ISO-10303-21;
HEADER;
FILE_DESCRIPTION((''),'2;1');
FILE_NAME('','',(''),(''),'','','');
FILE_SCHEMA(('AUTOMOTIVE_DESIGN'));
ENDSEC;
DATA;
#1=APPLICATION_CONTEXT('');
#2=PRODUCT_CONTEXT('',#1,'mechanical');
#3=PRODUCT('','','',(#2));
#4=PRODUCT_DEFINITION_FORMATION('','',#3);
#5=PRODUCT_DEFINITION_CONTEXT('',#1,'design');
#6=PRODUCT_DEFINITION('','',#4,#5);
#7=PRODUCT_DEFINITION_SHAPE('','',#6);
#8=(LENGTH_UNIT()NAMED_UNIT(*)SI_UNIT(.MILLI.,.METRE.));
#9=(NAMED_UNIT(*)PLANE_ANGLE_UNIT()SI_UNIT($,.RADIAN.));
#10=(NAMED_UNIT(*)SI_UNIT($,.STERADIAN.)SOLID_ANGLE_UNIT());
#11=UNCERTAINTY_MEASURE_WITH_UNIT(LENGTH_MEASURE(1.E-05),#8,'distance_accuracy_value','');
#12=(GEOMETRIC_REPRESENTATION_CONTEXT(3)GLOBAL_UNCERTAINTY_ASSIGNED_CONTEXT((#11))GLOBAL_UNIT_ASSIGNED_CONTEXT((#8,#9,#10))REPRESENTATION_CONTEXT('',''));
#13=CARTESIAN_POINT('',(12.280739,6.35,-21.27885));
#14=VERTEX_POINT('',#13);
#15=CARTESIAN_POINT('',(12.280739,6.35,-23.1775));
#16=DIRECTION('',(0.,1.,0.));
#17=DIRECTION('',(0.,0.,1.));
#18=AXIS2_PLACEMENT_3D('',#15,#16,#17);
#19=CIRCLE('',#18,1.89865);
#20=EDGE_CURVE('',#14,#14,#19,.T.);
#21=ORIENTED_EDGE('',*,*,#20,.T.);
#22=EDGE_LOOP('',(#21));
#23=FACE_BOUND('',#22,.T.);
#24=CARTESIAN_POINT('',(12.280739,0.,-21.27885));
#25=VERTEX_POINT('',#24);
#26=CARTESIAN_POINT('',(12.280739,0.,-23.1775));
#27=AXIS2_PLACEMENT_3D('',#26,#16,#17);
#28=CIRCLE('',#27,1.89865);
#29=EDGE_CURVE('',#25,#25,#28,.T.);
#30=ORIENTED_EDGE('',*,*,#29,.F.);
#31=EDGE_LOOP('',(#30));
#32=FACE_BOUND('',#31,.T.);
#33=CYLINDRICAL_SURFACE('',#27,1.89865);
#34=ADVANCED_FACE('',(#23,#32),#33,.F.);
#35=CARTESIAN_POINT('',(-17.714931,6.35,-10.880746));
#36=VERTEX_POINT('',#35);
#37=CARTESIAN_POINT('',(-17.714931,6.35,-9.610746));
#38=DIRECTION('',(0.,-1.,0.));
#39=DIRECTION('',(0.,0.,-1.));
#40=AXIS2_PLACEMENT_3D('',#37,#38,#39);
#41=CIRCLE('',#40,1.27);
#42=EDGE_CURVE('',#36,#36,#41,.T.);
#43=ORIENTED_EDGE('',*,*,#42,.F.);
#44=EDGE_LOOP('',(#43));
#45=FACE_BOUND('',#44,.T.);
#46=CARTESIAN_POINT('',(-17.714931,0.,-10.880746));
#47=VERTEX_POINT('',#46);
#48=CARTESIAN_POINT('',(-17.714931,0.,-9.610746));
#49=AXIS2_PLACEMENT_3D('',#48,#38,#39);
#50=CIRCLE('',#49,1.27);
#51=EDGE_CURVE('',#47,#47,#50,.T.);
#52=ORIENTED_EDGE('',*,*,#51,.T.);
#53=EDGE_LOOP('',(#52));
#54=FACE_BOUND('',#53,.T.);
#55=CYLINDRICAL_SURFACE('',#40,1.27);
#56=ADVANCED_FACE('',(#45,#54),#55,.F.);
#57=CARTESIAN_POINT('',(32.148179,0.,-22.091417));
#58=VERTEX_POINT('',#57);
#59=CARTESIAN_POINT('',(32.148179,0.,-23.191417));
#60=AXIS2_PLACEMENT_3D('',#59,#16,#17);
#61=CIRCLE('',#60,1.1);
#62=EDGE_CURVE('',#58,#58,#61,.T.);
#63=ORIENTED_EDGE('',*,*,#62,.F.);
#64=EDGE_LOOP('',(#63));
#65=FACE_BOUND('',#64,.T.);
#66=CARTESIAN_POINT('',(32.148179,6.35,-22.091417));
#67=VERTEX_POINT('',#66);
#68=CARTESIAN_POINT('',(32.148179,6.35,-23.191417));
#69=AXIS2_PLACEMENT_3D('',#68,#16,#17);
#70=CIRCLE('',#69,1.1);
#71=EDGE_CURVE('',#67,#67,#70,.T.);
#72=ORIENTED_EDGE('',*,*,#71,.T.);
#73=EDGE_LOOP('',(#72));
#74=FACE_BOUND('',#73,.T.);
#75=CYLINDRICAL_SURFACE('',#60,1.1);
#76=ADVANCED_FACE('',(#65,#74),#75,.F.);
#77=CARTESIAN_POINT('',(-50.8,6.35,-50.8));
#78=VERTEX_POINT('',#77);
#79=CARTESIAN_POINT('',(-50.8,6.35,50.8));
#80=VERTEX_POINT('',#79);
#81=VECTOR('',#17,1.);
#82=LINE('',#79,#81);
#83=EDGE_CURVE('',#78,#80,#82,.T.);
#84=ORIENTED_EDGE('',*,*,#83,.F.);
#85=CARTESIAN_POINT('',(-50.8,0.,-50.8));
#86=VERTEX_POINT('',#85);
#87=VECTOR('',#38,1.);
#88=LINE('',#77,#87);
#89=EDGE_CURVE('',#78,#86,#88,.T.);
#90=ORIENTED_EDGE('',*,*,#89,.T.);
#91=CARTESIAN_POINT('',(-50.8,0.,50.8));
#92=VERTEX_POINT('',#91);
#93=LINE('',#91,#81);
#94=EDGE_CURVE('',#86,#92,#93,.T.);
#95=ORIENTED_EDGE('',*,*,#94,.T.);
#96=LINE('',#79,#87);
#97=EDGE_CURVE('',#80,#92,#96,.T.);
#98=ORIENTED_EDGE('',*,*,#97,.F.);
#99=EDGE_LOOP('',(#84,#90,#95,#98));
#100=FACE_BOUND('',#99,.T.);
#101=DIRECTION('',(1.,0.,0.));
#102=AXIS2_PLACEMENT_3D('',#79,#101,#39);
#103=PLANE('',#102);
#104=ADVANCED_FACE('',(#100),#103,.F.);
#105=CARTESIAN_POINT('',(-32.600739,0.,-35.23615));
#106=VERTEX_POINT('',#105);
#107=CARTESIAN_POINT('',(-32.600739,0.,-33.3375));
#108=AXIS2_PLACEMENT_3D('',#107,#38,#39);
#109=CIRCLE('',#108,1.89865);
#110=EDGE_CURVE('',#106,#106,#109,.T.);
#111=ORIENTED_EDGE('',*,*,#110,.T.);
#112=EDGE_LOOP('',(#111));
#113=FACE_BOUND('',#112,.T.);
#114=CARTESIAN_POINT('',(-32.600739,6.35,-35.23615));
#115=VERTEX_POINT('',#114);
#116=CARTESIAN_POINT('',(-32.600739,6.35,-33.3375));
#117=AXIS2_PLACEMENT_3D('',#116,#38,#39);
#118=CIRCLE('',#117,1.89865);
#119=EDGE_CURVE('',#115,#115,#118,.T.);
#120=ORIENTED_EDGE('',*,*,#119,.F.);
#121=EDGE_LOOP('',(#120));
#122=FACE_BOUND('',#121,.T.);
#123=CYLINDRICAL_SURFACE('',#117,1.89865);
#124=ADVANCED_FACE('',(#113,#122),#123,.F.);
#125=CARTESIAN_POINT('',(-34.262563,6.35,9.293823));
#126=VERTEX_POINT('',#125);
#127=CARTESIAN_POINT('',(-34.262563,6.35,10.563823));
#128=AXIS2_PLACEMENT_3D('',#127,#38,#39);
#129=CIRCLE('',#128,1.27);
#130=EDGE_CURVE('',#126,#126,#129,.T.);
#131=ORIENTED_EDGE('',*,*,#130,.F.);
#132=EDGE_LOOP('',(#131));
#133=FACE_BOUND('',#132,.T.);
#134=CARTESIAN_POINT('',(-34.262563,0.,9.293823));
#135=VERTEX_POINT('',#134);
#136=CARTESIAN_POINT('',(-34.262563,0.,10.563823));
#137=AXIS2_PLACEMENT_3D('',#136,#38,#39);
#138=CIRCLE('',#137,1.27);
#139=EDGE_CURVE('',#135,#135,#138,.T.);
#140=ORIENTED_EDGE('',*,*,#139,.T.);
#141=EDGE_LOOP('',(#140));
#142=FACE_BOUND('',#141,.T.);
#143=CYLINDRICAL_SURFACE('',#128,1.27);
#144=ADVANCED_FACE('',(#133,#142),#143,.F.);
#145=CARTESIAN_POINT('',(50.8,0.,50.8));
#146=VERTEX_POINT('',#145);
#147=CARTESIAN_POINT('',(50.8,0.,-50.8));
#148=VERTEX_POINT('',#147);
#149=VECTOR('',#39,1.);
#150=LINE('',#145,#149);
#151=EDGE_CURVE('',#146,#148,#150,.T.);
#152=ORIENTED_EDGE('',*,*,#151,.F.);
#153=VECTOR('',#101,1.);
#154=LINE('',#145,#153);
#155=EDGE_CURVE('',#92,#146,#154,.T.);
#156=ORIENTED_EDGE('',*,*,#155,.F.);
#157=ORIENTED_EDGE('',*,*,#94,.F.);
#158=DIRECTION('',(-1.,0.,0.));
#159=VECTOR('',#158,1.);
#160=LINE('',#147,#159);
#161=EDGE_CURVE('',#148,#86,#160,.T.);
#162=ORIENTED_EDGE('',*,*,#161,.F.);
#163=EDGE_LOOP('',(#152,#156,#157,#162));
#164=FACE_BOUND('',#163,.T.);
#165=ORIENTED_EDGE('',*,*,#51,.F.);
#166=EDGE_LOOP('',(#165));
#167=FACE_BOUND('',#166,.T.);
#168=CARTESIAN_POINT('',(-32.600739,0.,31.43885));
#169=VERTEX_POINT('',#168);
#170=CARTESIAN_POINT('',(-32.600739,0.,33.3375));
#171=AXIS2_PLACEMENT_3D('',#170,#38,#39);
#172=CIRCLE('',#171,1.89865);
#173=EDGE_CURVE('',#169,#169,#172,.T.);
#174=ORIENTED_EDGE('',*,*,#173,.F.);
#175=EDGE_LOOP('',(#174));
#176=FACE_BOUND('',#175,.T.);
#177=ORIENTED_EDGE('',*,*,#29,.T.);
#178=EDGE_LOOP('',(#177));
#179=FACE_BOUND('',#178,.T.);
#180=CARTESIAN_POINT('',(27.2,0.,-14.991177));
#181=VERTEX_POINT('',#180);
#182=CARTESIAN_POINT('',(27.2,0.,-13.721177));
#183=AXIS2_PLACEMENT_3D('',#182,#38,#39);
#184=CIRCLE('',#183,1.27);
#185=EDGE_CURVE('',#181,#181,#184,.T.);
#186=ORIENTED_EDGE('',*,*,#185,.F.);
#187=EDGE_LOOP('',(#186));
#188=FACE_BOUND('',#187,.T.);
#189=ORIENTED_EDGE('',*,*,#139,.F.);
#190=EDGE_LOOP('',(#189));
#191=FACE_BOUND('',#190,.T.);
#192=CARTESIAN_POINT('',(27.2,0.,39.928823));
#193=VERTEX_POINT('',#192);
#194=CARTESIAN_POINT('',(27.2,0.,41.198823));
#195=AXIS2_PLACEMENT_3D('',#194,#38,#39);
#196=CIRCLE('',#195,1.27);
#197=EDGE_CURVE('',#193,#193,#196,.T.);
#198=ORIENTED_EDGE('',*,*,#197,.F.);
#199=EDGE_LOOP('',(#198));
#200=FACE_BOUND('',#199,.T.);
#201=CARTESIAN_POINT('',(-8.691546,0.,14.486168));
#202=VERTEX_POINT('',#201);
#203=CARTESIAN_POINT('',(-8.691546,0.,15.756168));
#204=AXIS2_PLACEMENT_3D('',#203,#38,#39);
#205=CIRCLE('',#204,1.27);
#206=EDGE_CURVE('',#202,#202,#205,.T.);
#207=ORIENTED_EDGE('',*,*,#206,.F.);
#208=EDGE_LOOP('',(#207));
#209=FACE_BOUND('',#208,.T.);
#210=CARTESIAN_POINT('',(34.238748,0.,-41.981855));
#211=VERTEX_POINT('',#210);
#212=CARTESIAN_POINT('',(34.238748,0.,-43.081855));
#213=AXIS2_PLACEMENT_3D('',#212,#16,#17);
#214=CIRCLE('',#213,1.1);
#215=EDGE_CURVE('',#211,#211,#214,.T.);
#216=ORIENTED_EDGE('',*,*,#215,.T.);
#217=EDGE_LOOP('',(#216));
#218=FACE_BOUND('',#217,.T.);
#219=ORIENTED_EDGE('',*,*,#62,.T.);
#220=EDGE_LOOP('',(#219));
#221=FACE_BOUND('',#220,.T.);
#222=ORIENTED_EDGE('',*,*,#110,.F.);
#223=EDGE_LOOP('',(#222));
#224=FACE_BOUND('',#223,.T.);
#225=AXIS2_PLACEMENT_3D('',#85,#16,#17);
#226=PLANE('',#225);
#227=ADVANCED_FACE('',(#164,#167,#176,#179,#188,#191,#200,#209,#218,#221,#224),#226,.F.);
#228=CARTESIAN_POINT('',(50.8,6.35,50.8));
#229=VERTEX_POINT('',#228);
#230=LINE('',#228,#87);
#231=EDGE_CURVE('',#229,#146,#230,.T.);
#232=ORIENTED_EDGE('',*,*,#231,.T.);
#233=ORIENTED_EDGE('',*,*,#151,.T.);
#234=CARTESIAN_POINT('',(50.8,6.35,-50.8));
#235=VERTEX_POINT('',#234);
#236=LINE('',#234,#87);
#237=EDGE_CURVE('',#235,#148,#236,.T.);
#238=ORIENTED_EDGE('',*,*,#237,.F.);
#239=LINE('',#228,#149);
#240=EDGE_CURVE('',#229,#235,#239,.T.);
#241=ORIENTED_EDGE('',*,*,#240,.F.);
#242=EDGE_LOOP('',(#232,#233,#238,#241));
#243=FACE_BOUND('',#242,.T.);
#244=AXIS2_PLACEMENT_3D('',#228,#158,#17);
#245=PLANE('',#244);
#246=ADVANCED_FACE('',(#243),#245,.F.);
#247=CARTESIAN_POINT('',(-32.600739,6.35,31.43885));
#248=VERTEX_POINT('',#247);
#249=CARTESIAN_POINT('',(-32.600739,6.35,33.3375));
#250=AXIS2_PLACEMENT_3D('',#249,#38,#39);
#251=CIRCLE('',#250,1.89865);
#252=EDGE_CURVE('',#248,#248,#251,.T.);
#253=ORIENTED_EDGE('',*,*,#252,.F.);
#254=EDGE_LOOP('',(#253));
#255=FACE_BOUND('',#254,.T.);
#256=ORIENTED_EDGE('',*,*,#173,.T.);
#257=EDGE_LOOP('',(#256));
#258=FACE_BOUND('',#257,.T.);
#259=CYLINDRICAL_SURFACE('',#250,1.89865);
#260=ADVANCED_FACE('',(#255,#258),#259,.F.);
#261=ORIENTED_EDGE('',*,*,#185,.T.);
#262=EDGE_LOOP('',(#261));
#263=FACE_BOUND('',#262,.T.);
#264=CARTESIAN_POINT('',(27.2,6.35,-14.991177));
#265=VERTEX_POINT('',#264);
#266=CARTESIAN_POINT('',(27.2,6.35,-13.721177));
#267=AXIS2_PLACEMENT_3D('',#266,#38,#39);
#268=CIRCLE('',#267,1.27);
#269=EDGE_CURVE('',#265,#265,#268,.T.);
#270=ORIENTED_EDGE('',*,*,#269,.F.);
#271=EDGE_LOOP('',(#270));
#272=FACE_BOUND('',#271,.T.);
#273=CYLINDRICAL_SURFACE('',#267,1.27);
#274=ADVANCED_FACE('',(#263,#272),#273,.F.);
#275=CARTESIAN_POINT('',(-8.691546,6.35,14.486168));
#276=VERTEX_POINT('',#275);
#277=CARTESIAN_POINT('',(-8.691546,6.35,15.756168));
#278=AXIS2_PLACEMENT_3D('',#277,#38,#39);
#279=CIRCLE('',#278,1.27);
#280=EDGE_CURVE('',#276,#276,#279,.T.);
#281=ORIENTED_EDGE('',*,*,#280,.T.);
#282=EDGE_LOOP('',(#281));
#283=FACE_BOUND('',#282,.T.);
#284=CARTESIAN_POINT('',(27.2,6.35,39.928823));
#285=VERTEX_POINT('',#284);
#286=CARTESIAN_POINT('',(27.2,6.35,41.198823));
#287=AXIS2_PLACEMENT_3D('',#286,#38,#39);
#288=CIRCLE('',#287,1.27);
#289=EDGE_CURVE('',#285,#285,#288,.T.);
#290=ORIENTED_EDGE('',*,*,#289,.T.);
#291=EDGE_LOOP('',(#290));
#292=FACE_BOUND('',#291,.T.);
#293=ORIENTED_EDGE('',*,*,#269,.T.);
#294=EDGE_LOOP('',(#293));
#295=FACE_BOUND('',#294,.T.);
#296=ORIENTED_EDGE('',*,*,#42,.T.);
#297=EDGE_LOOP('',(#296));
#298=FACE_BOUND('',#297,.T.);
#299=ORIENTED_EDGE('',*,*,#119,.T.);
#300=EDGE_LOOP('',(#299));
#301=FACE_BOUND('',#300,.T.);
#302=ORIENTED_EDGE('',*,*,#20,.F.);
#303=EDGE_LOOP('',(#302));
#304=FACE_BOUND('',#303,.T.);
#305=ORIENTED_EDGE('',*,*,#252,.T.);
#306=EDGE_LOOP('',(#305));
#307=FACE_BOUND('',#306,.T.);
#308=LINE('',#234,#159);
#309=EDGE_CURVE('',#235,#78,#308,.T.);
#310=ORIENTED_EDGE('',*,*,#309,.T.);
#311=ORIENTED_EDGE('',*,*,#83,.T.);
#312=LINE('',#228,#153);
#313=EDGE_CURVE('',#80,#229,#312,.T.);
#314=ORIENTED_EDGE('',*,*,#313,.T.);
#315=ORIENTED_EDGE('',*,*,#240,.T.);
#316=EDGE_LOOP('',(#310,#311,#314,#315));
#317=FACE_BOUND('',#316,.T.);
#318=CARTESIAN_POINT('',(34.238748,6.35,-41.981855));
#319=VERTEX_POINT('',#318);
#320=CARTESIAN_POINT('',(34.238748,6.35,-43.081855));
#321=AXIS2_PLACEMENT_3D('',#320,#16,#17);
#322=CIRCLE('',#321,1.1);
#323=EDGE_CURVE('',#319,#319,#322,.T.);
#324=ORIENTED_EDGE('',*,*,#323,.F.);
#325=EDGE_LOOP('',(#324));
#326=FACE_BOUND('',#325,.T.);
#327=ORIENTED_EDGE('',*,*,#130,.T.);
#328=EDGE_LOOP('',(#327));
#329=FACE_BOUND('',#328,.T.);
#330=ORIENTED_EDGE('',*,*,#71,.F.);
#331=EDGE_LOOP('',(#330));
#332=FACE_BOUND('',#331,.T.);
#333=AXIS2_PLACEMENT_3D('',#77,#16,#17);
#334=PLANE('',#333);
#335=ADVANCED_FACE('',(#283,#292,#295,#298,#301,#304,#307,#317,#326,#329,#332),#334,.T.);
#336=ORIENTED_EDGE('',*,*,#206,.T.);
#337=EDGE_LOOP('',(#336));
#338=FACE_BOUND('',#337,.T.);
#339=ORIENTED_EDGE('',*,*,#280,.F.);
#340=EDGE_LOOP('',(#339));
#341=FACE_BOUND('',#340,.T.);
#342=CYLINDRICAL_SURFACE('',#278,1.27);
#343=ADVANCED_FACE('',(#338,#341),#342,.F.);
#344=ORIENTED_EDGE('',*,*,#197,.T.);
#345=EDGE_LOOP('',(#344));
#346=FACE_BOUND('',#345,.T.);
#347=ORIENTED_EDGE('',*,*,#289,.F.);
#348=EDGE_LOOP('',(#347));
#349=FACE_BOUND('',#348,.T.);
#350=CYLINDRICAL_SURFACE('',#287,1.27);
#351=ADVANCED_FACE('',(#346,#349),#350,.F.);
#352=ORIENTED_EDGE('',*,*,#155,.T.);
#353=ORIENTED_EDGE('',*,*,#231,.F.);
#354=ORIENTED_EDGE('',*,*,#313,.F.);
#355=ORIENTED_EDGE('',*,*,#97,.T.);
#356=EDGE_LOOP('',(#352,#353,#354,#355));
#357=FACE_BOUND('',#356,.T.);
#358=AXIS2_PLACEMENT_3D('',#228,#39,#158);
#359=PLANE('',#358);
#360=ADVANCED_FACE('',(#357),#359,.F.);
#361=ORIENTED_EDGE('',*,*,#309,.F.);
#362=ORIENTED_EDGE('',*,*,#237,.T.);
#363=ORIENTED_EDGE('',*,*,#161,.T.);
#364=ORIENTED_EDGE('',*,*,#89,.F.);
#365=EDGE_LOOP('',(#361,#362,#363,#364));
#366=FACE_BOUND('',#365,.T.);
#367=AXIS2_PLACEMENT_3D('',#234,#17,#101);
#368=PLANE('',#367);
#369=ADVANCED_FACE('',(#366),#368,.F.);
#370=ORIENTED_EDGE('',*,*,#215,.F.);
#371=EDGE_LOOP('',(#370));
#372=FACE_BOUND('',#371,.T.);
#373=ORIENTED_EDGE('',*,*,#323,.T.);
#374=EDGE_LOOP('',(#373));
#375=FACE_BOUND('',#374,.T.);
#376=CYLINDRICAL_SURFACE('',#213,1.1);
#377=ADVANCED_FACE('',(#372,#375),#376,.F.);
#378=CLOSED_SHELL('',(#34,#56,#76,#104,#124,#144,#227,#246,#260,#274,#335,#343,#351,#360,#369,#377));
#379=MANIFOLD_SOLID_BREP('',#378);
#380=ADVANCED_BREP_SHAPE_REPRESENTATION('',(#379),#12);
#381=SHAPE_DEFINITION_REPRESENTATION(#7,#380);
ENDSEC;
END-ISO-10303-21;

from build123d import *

# Parameters (mm, degrees)
SKETCH1_W           = 101.6
SKETCH1_H           = 101.6
BOSS_EXTRUDE1_DEPTH = 6.35
SKETCH3_R           = 1.27
CUT_EXTRUDE2_DEPTH  = 7.35
SKETCH4_R           = 1.27
CUT_EXTRUDE3_DEPTH  = 7.35
SKETCH7_R           = 1.89865
CUT_EXTRUDE5_DEPTH  = 7.35
SKETCH8_R           = 1.89865
CUT_EXTRUDE6_DEPTH  = 7.35
SKETCH10_R          = 1.1
CUT_EXTRUDE7_DEPTH  = 7.35


with BuildPart() as part:
    # Sketch1 → Boss-Extrude1 (new body)
    with BuildSketch(Plane(origin=(0, 0, 0), x_dir=(1, 0, 0), z_dir=(0, 1, 0))):
        Rectangle(SKETCH1_W, SKETCH1_H)
    extrude(amount=BOSS_EXTRUDE1_DEPTH)

    # Sketch3 → Cut-Extrude2 (cut, through all)
    with BuildSketch(Plane.XZ):
        with Locations((-8.691546024, 15.75616758)):
            Circle(SKETCH3_R)
        with Locations((-34.262562923, 10.563822948)):
            Circle(SKETCH3_R)
        with Locations((-17.714931052, -9.610745883)):
            Circle(SKETCH3_R)
    extrude(amount=-CUT_EXTRUDE2_DEPTH, mode=Mode.SUBTRACT)

    # Sketch4 → Cut-Extrude3 (cut, through all)
    with BuildSketch(Plane.XZ):
        with Locations((27.2, 41.198822948)):
            Circle(SKETCH4_R)
        with Locations((27.2, -13.721177052)):
            Circle(SKETCH4_R)
    extrude(amount=-CUT_EXTRUDE3_DEPTH, mode=Mode.SUBTRACT)

    # Sketch7 → Cut-Extrude5 (cut, through all)
    with BuildSketch(Plane.XZ):
        with Locations((-32.600738686, -33.3375)):
            Circle(SKETCH7_R)
        with Locations((-32.600738686, 33.3375)):
            Circle(SKETCH7_R)
    extrude(amount=-CUT_EXTRUDE5_DEPTH, mode=Mode.SUBTRACT)

    # Sketch8 → Cut-Extrude6 (cut, through all)
    with BuildSketch(Plane(origin=(0, 6.35, 0), x_dir=(1, 0, 0), z_dir=(0, 1, 0))):
        with Locations((12.280738686, 23.1775)):
            Circle(SKETCH8_R)
    extrude(amount=-CUT_EXTRUDE6_DEPTH, mode=Mode.SUBTRACT)

    # Sketch10 → Cut-Extrude7 (cut, through all)
    with BuildSketch(Plane(origin=(0, 6.35, 0), x_dir=(1, 0, 0), z_dir=(0, 1, 0))):
        with Locations((34.238748138, 43.081855351)):
            Circle(SKETCH10_R)
        with Locations((32.148178872, 23.191417444)):
            Circle(SKETCH10_R)
    extrude(amount=-CUT_EXTRUDE7_DEPTH, mode=Mode.SUBTRACT)


solid = part.part
